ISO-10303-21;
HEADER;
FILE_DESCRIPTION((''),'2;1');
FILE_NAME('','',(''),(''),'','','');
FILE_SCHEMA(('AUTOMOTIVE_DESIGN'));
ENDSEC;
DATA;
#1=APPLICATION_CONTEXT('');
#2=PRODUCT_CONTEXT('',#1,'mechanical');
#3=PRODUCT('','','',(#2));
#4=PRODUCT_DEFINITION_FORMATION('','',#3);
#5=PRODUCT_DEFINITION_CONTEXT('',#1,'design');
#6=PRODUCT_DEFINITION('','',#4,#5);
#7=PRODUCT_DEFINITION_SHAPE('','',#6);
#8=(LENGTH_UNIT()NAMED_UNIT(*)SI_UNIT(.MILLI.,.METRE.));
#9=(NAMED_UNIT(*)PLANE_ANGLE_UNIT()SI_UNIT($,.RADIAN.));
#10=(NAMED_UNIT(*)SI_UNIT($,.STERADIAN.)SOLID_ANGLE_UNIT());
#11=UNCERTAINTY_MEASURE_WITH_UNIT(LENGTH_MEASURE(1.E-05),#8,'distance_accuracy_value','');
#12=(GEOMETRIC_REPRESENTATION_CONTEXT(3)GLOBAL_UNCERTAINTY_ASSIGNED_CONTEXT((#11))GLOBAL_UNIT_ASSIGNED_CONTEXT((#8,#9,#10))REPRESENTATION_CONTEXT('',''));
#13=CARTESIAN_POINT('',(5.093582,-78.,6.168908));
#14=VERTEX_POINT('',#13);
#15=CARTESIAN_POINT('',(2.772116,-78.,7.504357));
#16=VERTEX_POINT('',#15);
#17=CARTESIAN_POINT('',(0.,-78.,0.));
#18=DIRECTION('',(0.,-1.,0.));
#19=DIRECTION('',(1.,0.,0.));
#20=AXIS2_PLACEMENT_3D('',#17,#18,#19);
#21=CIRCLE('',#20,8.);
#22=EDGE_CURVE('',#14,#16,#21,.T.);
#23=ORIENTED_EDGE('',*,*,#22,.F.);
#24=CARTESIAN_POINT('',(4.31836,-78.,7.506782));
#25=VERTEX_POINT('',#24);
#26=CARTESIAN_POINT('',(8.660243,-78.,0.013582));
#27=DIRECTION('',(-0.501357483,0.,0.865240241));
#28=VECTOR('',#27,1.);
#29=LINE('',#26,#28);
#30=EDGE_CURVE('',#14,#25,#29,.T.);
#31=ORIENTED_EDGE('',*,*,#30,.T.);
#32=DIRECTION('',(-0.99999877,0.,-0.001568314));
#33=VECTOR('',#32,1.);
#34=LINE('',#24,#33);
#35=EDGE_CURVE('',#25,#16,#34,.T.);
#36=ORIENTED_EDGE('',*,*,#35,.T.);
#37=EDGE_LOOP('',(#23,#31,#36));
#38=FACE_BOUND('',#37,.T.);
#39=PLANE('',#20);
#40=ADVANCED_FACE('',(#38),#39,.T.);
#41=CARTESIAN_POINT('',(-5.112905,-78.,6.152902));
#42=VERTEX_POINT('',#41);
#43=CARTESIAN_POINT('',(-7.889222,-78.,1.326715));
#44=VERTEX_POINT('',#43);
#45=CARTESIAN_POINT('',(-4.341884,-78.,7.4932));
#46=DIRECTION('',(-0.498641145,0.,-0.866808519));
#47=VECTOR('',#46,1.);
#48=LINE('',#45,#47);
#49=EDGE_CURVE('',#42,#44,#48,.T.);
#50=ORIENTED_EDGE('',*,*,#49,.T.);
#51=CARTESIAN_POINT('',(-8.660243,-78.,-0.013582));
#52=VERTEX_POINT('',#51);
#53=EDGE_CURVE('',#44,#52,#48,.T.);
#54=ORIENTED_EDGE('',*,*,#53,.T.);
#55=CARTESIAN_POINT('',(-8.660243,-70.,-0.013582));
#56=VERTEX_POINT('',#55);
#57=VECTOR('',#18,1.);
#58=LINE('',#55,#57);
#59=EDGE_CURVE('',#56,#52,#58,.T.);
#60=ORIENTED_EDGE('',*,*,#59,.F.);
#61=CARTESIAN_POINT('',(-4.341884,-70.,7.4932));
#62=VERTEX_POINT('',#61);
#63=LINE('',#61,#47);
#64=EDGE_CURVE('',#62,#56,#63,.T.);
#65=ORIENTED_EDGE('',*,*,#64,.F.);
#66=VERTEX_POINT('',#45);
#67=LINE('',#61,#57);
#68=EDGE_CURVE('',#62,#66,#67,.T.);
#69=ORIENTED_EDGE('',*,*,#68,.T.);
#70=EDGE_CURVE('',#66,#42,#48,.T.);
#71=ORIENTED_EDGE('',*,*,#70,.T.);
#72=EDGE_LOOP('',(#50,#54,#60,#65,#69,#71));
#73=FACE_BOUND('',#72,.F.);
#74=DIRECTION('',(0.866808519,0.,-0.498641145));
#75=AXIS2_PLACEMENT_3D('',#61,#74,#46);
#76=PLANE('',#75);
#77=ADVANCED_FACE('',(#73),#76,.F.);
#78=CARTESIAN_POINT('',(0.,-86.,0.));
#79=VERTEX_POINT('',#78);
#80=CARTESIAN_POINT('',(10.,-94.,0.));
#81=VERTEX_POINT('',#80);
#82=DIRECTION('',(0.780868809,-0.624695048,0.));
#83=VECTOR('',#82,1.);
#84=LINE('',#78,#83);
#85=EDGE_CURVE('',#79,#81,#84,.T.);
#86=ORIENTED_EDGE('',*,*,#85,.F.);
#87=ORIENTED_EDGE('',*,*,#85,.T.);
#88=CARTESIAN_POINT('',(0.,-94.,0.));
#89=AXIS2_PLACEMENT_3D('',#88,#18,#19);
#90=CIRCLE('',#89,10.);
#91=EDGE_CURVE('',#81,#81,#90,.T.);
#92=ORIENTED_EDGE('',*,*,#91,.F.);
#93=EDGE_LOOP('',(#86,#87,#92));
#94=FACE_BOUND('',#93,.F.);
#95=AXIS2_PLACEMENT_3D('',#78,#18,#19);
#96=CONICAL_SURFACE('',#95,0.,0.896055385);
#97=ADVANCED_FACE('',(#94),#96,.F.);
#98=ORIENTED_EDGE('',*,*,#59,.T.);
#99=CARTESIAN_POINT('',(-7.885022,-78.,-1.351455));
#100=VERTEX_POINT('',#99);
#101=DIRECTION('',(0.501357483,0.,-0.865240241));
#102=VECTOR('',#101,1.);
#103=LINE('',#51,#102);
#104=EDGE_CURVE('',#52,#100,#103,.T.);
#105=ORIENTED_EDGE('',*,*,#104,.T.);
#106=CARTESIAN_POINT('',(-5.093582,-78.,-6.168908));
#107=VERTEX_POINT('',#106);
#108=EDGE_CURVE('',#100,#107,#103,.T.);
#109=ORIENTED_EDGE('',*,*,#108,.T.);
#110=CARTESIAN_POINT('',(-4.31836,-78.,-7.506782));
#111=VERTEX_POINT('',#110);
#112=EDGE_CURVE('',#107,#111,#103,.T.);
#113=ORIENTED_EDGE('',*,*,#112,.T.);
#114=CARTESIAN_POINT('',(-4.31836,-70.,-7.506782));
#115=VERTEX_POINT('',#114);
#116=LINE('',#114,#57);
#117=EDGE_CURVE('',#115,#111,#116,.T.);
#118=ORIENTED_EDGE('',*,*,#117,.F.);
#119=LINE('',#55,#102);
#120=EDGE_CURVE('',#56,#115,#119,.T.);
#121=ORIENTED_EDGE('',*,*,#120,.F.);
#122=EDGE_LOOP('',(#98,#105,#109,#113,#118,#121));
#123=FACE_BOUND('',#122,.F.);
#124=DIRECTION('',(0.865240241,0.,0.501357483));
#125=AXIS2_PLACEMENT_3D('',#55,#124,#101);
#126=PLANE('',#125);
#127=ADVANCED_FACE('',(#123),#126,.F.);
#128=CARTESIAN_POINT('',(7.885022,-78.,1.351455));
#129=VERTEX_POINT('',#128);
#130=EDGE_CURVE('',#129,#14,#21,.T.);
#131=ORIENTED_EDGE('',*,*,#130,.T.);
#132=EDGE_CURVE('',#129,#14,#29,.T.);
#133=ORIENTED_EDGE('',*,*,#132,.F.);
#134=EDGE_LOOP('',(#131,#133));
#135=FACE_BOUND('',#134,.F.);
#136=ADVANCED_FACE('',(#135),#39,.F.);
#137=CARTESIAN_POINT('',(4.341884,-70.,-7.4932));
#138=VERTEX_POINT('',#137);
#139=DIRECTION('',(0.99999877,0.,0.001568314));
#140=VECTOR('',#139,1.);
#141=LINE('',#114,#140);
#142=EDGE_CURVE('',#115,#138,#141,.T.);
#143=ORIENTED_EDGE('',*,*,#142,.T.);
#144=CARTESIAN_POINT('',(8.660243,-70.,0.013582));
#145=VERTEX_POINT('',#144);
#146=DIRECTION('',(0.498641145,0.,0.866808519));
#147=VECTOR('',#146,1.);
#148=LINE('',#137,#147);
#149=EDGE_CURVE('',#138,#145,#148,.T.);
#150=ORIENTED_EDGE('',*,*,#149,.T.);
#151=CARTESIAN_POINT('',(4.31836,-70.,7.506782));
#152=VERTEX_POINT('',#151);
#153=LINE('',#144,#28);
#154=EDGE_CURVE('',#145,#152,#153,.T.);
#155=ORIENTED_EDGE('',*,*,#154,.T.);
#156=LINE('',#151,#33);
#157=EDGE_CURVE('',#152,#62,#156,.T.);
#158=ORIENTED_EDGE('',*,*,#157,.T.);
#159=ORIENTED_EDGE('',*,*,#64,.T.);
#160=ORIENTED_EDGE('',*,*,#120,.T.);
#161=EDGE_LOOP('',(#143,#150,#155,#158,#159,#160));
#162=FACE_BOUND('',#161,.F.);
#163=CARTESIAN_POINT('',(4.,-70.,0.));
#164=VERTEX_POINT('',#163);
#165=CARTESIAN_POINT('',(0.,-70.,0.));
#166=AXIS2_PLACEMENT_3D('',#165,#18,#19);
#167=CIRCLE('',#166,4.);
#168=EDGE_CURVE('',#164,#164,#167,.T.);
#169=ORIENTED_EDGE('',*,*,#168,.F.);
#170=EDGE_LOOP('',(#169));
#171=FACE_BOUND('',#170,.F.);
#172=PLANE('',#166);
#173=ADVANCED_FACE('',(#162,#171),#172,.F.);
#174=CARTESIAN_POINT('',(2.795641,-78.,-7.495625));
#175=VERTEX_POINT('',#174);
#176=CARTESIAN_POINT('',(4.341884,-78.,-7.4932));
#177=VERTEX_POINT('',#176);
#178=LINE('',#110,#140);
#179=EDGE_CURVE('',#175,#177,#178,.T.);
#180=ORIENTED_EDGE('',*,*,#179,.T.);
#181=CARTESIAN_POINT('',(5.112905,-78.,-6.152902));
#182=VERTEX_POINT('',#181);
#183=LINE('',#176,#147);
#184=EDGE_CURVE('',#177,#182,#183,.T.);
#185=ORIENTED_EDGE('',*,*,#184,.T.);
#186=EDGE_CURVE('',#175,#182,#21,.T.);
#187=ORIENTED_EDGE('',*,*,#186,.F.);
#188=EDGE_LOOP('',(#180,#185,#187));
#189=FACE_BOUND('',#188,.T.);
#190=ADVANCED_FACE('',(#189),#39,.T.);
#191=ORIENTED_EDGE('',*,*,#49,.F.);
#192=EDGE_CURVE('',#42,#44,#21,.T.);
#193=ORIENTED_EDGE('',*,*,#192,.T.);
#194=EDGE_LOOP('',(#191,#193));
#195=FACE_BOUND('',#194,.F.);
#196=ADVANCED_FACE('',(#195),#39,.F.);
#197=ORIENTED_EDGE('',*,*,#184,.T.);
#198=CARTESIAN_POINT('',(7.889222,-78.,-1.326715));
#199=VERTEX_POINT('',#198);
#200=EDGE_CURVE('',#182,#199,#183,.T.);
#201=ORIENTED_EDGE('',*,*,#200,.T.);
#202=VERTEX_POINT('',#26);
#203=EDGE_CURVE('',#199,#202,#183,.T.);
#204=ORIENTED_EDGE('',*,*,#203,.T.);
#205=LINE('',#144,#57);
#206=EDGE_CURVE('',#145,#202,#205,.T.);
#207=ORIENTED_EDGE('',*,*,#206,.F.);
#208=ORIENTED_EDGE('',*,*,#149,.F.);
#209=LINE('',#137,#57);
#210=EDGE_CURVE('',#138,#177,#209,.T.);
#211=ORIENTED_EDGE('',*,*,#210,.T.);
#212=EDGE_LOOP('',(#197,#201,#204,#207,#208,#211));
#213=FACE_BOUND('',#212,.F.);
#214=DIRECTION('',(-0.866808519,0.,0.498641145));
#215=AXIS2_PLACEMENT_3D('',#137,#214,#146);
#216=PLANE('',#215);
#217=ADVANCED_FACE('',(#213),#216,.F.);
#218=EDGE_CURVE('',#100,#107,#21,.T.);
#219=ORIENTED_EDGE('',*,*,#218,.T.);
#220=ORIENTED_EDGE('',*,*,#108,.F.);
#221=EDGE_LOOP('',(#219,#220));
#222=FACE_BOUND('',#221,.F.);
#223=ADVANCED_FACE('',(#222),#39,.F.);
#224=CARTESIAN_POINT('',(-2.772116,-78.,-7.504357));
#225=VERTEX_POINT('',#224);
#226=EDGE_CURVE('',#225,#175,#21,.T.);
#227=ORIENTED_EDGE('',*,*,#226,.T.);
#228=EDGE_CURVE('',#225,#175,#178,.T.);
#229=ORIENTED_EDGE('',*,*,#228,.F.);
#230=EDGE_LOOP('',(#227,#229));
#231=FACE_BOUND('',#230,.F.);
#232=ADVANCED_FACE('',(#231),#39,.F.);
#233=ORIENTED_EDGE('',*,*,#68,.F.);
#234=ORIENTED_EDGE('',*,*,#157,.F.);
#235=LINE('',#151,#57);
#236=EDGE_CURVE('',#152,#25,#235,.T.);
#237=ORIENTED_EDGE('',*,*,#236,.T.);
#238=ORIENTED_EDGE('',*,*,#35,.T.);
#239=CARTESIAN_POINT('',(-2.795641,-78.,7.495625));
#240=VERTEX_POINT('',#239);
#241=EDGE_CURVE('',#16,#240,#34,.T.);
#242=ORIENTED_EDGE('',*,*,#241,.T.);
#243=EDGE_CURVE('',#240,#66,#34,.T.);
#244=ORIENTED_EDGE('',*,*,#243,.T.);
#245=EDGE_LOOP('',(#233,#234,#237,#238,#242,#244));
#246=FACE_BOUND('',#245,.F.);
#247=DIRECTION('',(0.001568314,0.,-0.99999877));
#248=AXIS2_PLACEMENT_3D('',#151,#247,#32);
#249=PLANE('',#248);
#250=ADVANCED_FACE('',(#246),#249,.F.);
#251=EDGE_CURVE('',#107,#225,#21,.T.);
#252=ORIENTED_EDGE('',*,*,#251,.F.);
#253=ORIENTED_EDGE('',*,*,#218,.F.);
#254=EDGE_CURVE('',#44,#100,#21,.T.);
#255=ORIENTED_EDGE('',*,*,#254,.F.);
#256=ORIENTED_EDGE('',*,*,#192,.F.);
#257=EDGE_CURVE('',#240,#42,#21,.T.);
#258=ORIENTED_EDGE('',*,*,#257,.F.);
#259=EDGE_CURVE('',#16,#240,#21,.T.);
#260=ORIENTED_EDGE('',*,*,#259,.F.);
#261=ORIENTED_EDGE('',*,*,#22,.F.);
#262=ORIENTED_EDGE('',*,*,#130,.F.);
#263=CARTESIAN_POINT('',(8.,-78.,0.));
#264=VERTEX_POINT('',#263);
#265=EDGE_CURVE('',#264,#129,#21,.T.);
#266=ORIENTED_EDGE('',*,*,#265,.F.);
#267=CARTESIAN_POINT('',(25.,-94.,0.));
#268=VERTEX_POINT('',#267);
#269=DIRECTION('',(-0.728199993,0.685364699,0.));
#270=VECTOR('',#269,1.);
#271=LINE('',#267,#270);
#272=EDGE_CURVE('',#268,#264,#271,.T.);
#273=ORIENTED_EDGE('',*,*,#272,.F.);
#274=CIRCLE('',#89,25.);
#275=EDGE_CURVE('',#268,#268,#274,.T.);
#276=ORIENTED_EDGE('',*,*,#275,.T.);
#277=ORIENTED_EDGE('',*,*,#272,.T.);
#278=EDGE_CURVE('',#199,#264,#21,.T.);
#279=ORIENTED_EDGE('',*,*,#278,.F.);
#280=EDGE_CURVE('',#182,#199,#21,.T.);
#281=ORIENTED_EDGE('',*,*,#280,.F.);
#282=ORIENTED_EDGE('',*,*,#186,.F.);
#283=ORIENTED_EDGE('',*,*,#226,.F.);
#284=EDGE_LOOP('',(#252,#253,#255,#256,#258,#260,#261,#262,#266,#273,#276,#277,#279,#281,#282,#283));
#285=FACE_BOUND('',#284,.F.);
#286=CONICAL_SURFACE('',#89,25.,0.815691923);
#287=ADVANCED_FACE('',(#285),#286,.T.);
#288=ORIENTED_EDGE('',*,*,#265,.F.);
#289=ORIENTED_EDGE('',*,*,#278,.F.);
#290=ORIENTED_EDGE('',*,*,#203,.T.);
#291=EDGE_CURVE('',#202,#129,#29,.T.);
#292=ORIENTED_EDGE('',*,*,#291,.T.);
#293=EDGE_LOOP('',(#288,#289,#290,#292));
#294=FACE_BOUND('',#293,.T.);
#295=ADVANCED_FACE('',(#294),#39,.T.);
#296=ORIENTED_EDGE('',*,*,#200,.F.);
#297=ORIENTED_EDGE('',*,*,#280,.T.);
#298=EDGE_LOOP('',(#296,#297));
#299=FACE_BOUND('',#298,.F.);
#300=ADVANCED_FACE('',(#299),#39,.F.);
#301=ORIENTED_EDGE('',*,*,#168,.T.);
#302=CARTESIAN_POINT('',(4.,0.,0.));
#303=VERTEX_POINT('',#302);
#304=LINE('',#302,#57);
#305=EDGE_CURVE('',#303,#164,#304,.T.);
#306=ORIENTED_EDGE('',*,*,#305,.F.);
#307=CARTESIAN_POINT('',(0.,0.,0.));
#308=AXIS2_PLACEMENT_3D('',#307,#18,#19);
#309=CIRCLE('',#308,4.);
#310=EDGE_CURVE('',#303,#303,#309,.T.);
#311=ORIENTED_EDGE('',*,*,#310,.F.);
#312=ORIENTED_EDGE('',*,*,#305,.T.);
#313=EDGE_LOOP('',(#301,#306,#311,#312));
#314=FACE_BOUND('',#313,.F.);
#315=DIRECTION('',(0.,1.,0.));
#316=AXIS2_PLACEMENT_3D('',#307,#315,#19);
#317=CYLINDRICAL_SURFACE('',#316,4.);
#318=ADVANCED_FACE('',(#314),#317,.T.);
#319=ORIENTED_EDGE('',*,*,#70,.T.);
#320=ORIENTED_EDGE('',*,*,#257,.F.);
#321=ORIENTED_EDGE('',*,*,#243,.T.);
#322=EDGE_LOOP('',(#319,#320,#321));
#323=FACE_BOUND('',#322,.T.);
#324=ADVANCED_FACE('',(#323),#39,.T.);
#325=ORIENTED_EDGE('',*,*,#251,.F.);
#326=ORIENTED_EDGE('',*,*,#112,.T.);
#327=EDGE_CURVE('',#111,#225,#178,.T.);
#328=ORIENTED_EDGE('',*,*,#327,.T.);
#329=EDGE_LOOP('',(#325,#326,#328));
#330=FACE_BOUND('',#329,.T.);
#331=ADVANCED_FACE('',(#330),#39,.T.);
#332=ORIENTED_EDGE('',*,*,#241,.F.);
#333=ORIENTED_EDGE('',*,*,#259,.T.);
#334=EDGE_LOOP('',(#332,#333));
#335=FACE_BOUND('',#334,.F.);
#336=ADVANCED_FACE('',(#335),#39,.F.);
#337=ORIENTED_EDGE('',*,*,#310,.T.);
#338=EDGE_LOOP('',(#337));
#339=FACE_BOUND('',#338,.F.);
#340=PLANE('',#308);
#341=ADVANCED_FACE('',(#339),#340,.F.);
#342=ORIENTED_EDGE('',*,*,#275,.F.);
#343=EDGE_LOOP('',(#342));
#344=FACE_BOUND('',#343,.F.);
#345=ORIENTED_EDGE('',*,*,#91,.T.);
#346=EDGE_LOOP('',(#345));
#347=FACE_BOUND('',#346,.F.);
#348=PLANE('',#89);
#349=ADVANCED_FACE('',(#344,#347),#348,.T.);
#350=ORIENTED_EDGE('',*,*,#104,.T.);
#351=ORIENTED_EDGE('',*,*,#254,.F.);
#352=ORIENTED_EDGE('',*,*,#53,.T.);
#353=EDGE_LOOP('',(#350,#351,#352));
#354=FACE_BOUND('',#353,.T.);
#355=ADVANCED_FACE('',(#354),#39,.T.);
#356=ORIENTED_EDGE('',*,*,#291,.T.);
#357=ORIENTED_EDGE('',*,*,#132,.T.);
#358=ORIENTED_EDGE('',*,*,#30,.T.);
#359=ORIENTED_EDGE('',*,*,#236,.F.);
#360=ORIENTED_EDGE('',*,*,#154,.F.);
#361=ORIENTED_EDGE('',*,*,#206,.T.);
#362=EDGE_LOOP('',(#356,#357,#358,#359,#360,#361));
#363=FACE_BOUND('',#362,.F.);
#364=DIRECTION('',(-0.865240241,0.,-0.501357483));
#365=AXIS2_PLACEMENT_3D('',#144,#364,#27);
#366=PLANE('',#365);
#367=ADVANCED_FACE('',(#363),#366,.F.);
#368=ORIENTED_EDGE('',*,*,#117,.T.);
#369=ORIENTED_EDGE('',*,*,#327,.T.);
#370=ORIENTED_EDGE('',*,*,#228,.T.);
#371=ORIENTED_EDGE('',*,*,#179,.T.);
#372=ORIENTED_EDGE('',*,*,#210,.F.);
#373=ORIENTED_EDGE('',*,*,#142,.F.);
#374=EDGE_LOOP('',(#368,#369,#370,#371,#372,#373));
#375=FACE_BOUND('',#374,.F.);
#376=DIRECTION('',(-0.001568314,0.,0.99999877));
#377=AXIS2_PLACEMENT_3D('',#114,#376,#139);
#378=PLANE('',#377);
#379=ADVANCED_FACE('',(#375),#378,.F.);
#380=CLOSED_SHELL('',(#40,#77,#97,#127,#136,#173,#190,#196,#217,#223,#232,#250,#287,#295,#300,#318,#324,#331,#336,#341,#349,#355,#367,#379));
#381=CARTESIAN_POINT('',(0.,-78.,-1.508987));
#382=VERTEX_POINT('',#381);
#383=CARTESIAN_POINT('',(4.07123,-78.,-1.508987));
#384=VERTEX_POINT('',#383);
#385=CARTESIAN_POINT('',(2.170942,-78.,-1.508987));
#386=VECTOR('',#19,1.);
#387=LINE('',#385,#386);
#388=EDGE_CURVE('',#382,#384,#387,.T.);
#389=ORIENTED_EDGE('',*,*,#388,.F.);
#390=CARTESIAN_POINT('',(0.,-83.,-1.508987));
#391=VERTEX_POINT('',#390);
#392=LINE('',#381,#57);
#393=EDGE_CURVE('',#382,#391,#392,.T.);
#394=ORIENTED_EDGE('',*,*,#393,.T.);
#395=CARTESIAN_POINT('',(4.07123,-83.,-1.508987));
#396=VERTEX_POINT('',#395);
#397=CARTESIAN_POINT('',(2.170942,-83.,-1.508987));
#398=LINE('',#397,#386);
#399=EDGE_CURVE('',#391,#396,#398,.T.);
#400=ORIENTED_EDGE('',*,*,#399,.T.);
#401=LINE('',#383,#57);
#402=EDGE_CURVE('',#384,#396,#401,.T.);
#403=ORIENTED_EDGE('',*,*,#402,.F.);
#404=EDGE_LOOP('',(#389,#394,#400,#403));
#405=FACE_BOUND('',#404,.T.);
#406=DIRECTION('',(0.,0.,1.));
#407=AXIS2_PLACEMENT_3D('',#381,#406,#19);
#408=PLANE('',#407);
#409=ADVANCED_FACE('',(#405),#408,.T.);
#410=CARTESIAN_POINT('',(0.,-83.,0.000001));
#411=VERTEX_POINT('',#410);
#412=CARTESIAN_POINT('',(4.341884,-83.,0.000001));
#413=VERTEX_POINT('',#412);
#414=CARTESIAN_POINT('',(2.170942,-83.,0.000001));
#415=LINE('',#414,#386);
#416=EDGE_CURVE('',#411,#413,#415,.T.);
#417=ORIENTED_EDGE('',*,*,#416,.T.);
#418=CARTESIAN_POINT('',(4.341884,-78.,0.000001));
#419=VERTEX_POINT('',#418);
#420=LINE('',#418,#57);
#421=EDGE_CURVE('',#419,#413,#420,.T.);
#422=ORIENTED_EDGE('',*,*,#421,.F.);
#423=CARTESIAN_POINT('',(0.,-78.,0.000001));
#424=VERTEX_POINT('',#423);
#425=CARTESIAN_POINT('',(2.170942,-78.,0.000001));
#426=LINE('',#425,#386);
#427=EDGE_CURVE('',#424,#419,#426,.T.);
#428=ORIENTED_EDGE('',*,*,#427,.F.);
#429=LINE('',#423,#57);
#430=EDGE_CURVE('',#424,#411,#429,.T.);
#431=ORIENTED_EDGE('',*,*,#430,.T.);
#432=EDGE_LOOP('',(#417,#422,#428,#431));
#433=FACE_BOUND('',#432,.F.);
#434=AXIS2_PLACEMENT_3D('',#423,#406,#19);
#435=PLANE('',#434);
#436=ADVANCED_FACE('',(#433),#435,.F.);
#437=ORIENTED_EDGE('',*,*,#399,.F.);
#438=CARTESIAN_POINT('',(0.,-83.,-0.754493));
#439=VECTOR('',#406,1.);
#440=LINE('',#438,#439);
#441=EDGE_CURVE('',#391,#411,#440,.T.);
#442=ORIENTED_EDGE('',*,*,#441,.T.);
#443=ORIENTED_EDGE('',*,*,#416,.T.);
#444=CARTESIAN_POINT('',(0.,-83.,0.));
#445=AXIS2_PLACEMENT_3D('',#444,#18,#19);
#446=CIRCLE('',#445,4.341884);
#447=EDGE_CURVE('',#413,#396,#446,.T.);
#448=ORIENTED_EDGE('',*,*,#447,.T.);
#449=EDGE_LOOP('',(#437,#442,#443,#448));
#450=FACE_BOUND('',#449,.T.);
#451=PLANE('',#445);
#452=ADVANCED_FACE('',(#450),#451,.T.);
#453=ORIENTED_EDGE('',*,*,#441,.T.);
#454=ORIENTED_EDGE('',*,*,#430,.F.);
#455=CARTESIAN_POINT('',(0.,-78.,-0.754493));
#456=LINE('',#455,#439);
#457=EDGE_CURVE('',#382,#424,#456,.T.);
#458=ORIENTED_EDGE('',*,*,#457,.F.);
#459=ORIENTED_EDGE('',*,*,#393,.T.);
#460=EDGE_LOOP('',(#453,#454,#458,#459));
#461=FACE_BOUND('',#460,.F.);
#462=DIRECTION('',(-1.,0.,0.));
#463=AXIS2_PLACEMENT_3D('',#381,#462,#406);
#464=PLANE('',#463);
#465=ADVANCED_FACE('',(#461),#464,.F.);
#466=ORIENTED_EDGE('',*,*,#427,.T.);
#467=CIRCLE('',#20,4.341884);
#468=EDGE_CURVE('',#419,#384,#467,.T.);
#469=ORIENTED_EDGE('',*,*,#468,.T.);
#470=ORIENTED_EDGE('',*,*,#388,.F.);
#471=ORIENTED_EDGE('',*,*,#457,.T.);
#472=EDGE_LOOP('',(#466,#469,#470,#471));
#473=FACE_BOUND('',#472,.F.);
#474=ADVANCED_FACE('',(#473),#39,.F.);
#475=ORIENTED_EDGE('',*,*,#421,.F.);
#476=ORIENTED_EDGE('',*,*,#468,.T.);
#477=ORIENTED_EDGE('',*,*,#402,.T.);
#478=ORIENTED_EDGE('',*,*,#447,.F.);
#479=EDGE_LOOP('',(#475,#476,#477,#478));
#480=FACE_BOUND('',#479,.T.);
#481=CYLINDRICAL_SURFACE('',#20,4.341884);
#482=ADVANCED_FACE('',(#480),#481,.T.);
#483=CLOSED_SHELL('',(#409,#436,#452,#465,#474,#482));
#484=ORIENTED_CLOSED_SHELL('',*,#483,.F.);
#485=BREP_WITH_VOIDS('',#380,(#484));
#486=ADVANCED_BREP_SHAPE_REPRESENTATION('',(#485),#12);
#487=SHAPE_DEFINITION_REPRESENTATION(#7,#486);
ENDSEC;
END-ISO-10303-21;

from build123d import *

# Parameters (mm, degrees)
F0_R     = 4
F1_DEPTH = 70
F3_DEPTH = 8
F4_W     = 4.341884
F4_H     = 1.508987
F5_DEPTH = 5


with BuildPart() as f1:
    # F0 (on Front) → F1 (new body)
    with BuildSketch(Plane.XZ):
        Circle(F0_R)
    extrude(amount=F1_DEPTH)

    # F2 (on face) → F3 (join)
    with BuildSketch(Plane.XZ.offset(70)):
        Polygon((4.341884, -7.4932), (8.660243, 0.013582), (4.31836, 7.506782), (-4.341884, 7.4932), (-8.660243, -0.013582), (-4.31836, -7.506782), align=None)
    extrude(amount=F3_DEPTH)

    # F4 (on face) → F5 (join)
    with BuildSketch(Plane.XZ.offset(78)):
        with Locations((2.170942, -0.754493)):
            Rectangle(F4_W, F4_H)
    extrude(amount=F5_DEPTH)

    # F6 (on face) → F7 (revolve)
    with BuildSketch(Plane.XY):
        Polygon((4.341884, -83), (0, -83), (0, -86), (10, -94), (25, -94), (8, -78), (4.341884, -78), align=None)
    revolve(axis=Axis((0, -86, 0), (0, -1, 0)))


solid = f1.part
